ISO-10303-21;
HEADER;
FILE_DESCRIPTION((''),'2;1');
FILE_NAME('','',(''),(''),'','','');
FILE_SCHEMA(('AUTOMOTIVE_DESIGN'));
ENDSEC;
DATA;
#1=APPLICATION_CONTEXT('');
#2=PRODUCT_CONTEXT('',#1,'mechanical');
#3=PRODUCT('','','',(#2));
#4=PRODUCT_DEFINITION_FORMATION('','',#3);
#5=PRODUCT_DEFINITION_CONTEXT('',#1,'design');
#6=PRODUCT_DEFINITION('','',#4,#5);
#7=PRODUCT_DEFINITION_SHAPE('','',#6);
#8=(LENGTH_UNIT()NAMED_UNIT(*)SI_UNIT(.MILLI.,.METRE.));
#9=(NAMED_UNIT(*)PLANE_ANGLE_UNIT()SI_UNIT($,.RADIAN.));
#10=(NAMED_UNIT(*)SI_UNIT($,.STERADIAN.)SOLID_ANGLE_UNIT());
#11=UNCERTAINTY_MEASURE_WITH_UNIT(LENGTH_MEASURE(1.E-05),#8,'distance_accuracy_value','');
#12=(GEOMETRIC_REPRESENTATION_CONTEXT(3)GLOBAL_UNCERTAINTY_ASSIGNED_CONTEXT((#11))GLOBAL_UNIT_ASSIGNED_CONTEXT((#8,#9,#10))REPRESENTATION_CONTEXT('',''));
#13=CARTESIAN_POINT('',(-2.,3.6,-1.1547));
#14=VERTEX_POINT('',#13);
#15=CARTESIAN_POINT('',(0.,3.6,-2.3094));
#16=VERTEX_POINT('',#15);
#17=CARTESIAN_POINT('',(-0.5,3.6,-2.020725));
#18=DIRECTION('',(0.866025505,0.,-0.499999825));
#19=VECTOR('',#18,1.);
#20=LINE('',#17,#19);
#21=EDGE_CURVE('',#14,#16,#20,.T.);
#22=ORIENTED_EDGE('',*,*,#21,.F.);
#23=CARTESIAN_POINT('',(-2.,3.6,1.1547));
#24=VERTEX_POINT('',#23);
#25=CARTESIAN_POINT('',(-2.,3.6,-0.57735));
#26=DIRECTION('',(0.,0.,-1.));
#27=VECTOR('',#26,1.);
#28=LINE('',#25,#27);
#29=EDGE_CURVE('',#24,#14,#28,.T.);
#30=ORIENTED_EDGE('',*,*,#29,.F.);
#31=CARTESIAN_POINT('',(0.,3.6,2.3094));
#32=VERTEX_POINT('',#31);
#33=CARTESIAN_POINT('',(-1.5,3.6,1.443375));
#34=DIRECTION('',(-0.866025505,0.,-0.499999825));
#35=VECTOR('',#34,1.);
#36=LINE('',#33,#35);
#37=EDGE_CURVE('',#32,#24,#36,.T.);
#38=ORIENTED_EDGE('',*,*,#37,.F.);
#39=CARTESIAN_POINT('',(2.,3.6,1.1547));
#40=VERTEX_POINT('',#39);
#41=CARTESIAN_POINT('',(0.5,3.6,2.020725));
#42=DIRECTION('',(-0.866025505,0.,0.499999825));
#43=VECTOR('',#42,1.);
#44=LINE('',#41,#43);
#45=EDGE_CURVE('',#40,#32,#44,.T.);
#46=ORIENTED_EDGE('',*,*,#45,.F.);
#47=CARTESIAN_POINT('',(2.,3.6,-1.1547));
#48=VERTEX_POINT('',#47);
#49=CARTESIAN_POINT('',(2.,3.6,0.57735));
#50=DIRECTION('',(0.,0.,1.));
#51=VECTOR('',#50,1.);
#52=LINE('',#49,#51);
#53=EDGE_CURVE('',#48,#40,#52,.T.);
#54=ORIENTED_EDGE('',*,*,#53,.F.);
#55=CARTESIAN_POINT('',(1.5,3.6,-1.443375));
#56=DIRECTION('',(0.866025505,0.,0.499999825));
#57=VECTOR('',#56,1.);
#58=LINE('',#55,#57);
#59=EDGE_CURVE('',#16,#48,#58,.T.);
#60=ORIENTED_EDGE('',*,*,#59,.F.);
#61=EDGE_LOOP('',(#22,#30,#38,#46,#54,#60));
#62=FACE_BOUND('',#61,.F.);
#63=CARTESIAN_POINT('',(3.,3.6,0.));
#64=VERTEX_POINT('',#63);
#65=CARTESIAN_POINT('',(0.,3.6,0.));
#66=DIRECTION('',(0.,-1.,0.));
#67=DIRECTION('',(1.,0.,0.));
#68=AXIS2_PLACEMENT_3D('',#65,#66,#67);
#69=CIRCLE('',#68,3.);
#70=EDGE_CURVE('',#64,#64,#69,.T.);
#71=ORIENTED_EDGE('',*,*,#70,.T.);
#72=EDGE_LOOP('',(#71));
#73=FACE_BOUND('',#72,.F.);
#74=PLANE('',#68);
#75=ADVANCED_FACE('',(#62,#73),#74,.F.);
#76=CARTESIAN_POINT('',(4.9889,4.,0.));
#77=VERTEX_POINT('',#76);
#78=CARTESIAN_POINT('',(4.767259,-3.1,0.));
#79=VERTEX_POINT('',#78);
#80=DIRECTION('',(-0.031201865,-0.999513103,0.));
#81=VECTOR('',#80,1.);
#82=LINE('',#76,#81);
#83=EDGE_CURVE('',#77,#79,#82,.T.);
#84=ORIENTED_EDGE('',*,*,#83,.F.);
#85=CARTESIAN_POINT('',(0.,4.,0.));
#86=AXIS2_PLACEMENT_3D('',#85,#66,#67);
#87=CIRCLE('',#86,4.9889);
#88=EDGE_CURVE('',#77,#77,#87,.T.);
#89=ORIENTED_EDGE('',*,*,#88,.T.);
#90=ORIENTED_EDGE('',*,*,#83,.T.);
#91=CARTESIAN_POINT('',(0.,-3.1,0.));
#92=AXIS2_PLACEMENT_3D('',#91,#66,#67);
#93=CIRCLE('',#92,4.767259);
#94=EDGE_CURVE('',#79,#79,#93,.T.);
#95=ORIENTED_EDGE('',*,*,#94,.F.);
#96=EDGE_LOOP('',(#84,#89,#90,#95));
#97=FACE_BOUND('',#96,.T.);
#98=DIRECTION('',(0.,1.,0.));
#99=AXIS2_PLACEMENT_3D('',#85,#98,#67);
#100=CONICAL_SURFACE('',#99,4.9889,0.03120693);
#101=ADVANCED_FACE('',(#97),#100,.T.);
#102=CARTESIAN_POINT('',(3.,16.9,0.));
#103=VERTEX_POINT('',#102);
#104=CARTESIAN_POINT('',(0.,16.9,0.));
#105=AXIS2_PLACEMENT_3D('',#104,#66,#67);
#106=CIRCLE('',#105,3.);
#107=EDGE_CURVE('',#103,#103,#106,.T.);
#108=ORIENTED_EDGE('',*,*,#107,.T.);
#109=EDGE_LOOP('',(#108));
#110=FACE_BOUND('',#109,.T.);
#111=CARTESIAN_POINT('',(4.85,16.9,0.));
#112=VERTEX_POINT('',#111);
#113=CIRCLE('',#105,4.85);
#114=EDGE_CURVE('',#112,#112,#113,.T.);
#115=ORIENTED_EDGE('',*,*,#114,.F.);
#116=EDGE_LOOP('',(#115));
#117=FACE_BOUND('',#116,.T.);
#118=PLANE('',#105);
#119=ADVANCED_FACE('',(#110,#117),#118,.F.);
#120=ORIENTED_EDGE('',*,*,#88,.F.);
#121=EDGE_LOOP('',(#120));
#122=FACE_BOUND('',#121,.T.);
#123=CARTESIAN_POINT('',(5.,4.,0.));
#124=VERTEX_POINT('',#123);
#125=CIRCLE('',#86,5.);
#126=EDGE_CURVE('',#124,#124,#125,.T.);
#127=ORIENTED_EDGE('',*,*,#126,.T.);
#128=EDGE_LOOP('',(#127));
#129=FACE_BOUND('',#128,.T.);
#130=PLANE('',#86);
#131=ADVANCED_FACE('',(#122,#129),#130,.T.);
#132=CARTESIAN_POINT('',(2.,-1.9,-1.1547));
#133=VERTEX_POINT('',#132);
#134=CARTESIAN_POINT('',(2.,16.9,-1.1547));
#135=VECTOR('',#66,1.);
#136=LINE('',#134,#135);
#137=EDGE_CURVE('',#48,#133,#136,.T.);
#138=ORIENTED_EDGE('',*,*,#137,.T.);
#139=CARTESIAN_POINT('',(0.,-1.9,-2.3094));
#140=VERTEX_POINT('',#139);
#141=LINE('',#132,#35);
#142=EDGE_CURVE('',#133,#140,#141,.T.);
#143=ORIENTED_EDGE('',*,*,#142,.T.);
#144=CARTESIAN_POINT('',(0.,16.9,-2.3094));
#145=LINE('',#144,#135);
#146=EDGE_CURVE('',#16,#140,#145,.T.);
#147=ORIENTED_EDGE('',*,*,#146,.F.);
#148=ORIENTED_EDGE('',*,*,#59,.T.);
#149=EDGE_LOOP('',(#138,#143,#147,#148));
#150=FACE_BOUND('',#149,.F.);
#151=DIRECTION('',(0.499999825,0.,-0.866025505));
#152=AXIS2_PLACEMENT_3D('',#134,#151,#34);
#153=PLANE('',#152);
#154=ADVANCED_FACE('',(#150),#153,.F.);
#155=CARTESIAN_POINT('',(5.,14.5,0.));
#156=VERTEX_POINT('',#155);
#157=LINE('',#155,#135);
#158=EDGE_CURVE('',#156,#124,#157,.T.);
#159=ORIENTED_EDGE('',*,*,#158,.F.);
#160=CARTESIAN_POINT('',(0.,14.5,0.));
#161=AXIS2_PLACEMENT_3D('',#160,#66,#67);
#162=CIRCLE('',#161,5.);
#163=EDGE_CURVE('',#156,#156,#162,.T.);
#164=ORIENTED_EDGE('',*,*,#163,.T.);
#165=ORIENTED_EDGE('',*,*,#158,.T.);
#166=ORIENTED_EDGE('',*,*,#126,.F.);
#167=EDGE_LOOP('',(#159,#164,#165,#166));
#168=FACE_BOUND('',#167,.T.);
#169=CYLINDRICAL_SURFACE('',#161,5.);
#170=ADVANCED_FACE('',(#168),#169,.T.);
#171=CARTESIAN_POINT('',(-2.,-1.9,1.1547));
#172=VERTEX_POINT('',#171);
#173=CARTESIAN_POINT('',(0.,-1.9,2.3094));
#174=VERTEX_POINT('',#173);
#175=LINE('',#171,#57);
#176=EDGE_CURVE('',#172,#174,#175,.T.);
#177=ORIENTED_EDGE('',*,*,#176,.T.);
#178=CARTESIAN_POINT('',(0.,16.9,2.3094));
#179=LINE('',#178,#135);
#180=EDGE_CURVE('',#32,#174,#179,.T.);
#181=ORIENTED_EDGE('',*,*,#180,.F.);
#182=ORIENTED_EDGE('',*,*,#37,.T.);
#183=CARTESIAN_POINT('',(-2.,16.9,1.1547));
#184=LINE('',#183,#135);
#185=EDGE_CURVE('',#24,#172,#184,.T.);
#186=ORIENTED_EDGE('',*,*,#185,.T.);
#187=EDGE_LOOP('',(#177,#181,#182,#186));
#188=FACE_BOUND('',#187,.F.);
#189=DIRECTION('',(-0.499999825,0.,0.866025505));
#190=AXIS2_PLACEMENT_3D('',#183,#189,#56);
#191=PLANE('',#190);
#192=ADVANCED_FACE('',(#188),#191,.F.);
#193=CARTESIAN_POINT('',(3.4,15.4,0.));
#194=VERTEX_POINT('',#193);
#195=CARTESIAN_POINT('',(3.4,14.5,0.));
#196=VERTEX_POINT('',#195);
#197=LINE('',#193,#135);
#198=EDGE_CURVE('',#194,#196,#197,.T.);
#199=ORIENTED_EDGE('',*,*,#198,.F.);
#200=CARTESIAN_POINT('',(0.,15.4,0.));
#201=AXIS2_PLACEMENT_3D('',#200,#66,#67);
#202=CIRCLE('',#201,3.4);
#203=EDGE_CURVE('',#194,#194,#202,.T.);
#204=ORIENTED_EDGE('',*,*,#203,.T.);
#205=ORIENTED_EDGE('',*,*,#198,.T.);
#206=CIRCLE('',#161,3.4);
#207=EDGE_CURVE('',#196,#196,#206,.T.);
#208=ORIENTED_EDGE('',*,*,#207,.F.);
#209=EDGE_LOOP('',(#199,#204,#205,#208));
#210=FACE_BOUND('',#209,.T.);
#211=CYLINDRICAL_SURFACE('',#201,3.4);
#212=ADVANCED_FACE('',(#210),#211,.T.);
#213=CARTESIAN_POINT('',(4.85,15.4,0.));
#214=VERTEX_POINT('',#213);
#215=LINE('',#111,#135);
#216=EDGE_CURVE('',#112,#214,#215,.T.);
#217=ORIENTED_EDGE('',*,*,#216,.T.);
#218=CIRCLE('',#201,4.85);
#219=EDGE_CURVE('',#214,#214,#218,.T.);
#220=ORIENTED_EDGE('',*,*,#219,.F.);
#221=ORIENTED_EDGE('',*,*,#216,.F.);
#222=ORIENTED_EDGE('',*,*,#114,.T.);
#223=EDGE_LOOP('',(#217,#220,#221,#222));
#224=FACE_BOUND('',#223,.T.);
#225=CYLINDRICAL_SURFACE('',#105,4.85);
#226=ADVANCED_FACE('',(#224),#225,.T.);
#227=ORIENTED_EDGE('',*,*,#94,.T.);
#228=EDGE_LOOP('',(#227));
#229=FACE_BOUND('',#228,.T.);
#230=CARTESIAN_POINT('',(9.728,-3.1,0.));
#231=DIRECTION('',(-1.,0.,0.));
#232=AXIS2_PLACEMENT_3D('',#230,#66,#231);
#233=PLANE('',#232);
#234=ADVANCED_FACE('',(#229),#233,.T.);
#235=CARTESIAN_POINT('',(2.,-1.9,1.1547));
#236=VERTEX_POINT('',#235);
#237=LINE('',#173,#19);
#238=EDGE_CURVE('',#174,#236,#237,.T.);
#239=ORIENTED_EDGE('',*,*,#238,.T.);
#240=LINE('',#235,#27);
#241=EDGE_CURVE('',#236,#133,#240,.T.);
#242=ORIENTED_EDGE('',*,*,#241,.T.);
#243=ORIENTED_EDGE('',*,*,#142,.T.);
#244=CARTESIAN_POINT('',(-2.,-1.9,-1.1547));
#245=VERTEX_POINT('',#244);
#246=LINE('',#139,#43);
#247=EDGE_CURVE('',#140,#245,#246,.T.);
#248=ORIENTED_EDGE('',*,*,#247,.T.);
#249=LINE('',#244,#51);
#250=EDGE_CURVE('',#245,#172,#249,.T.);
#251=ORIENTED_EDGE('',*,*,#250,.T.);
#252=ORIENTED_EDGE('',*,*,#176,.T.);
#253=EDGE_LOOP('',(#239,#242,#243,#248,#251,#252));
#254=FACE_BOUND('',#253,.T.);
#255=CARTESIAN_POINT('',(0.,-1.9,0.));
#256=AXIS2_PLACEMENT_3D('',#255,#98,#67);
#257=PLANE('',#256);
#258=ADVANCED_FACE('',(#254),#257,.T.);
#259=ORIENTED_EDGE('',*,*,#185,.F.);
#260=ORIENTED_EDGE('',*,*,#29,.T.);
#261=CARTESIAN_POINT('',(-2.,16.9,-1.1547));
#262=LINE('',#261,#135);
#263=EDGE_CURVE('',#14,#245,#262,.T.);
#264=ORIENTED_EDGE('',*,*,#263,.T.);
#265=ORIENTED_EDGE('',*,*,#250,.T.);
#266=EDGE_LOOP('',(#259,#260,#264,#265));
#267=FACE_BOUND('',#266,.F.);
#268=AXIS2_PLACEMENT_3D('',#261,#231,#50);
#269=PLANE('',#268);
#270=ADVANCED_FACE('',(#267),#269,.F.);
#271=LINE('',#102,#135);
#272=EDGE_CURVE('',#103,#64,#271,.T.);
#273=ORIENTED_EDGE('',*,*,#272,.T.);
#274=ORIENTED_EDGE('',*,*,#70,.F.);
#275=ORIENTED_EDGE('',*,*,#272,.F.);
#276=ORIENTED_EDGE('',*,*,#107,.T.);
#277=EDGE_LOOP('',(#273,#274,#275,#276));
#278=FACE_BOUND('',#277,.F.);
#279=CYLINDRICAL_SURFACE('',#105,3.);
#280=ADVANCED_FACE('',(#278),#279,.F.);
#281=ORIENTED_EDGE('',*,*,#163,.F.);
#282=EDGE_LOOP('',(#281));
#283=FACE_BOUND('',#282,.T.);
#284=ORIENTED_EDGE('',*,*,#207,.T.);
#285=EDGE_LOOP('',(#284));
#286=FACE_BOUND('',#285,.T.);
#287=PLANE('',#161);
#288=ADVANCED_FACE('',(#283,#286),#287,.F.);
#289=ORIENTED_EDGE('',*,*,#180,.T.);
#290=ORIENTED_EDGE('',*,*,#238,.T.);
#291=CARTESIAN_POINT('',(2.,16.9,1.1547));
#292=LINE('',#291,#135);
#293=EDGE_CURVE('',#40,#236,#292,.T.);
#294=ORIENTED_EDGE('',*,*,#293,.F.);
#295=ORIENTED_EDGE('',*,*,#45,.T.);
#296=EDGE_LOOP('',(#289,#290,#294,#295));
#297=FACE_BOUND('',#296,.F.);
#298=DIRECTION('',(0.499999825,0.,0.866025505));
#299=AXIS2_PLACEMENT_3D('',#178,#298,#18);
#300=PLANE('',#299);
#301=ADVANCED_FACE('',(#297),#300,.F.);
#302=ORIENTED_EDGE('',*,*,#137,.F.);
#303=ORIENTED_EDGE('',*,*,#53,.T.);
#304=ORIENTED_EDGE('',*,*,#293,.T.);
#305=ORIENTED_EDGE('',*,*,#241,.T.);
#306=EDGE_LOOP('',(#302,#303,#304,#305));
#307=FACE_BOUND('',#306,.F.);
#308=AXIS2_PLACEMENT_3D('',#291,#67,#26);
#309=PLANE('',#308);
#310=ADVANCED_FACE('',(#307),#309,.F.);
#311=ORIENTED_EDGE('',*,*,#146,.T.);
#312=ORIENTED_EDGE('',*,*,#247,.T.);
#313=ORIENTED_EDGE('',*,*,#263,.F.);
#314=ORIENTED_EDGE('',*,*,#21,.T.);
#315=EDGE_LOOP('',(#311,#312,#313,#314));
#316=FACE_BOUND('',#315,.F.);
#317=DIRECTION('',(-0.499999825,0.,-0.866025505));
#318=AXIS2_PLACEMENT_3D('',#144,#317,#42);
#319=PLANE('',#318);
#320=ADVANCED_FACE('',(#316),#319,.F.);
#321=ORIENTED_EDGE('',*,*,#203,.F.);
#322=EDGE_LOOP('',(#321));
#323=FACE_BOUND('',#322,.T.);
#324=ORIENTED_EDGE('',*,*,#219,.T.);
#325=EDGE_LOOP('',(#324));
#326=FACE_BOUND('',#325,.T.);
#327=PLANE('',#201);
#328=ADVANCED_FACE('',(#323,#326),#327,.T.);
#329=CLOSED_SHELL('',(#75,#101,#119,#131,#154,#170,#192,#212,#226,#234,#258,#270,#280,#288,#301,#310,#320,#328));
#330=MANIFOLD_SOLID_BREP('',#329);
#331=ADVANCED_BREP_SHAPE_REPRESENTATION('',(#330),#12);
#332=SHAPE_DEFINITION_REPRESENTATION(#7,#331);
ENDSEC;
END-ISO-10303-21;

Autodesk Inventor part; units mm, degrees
sketch "Sketch_1" plane through (0, 0, 0) normal (0, 0, 1) x (1, 0, 0)
  line L0 (0, -3.97) -> (0, 16.9)
  line L1 (0, 16.9) -> (4.85, 16.9)
  line L2 (4.85, 16.9) -> (4.85, 15.4)
  line L3 (4.85, 15.4) -> (3.4, 15.4)
  line L4 (3.4, 15.4) -> (3.4, 14.5)
  line L5 (3.4, 14.5) -> (5, 14.5)
  line L6 (5, 14.5) -> (5, 4)
  line L7 (5, 4) -> (4.9889, 4)
  line L8 (4.9889, 4) -> (4.7401, -3.97)
  line L9 (4.7401, -3.97) -> (0, -3.97)
  line L10 (0, -3.97) -> (0, 16.9)
revolve "Revolution1" add sketch "Sketch_1" angle 360 about axis through (0, -3.97, 0) along (0, -1, 0)
thread "Thread1" size "R 1/8" standard "ISO Taper" full length
sketch "_____1" plane through (0, 0, 0) normal (0, 0, 1) x (1, 0, 0)
  line L0 (-9.728, -3.1) -> (-9.728, -3.97)
  line L1 (-9.728, -3.97) -> (9.728, -3.97)
  line L2 (9.728, -3.97) -> (9.728, -3.1)
  line L3 (9.728, -3.1) -> (-9.728, -3.1)
extrude "Extrusion1" cut sketch "_____1" along normal mid plane 19.456
sketch "Sketch_2" plane through (0, 0, 0) normal (0, 0, 1) x (1, 0, 0)
  line L0 (0, 3.6) -> (0, 16.9)
  line L1 (0, 16.9) -> (3, 16.9)
  line L2 (3, 16.9) -> (3, 3.6)
  line L3 (3, 3.6) -> (0, 3.6)
  line L4 (0, 3.6) -> (0, 16.9)
revolve "Revolution2" cut sketch "Sketch_2" angle 360 about axis through (0, 3.6, 0) along (0, -1, 0)
sketch "Sketch_3" plane through (0, 16.9, 0) normal (0, 1, 0) x (1, 0, 0)
  line L0 (-2, -1.1547) -> (0, -2.3094)
  line L1 (0, -2.3094) -> (2, -1.1547)
  line L2 (2, -1.1547) -> (2, 1.1547)
  line L3 (2, 1.1547) -> (0, 2.3094)
  line L4 (0, 2.3094) -> (-2, 1.1547)
  line L5 (-2, 1.1547) -> (-2, -1.1547)
extrude "Extrusion2" cut sketch "Sketch_3" against normal blind 18.8
ref_plane "CNS_SCREW_XY" through (0, 0, 0) normal (0, 1, 0) x (1, 0, 0)
ref_plane "CNS_SCREW_YZ" through (0, 0, 0) normal (1, 0, 0) x (0, 0, -1)
ref_plane "CNS_SCREW_ZX" through (0, 0, 0) normal (0, 0, -1) x (0, 1, 0)
properties part number "KQ2S06-01AS (A) Brass"
